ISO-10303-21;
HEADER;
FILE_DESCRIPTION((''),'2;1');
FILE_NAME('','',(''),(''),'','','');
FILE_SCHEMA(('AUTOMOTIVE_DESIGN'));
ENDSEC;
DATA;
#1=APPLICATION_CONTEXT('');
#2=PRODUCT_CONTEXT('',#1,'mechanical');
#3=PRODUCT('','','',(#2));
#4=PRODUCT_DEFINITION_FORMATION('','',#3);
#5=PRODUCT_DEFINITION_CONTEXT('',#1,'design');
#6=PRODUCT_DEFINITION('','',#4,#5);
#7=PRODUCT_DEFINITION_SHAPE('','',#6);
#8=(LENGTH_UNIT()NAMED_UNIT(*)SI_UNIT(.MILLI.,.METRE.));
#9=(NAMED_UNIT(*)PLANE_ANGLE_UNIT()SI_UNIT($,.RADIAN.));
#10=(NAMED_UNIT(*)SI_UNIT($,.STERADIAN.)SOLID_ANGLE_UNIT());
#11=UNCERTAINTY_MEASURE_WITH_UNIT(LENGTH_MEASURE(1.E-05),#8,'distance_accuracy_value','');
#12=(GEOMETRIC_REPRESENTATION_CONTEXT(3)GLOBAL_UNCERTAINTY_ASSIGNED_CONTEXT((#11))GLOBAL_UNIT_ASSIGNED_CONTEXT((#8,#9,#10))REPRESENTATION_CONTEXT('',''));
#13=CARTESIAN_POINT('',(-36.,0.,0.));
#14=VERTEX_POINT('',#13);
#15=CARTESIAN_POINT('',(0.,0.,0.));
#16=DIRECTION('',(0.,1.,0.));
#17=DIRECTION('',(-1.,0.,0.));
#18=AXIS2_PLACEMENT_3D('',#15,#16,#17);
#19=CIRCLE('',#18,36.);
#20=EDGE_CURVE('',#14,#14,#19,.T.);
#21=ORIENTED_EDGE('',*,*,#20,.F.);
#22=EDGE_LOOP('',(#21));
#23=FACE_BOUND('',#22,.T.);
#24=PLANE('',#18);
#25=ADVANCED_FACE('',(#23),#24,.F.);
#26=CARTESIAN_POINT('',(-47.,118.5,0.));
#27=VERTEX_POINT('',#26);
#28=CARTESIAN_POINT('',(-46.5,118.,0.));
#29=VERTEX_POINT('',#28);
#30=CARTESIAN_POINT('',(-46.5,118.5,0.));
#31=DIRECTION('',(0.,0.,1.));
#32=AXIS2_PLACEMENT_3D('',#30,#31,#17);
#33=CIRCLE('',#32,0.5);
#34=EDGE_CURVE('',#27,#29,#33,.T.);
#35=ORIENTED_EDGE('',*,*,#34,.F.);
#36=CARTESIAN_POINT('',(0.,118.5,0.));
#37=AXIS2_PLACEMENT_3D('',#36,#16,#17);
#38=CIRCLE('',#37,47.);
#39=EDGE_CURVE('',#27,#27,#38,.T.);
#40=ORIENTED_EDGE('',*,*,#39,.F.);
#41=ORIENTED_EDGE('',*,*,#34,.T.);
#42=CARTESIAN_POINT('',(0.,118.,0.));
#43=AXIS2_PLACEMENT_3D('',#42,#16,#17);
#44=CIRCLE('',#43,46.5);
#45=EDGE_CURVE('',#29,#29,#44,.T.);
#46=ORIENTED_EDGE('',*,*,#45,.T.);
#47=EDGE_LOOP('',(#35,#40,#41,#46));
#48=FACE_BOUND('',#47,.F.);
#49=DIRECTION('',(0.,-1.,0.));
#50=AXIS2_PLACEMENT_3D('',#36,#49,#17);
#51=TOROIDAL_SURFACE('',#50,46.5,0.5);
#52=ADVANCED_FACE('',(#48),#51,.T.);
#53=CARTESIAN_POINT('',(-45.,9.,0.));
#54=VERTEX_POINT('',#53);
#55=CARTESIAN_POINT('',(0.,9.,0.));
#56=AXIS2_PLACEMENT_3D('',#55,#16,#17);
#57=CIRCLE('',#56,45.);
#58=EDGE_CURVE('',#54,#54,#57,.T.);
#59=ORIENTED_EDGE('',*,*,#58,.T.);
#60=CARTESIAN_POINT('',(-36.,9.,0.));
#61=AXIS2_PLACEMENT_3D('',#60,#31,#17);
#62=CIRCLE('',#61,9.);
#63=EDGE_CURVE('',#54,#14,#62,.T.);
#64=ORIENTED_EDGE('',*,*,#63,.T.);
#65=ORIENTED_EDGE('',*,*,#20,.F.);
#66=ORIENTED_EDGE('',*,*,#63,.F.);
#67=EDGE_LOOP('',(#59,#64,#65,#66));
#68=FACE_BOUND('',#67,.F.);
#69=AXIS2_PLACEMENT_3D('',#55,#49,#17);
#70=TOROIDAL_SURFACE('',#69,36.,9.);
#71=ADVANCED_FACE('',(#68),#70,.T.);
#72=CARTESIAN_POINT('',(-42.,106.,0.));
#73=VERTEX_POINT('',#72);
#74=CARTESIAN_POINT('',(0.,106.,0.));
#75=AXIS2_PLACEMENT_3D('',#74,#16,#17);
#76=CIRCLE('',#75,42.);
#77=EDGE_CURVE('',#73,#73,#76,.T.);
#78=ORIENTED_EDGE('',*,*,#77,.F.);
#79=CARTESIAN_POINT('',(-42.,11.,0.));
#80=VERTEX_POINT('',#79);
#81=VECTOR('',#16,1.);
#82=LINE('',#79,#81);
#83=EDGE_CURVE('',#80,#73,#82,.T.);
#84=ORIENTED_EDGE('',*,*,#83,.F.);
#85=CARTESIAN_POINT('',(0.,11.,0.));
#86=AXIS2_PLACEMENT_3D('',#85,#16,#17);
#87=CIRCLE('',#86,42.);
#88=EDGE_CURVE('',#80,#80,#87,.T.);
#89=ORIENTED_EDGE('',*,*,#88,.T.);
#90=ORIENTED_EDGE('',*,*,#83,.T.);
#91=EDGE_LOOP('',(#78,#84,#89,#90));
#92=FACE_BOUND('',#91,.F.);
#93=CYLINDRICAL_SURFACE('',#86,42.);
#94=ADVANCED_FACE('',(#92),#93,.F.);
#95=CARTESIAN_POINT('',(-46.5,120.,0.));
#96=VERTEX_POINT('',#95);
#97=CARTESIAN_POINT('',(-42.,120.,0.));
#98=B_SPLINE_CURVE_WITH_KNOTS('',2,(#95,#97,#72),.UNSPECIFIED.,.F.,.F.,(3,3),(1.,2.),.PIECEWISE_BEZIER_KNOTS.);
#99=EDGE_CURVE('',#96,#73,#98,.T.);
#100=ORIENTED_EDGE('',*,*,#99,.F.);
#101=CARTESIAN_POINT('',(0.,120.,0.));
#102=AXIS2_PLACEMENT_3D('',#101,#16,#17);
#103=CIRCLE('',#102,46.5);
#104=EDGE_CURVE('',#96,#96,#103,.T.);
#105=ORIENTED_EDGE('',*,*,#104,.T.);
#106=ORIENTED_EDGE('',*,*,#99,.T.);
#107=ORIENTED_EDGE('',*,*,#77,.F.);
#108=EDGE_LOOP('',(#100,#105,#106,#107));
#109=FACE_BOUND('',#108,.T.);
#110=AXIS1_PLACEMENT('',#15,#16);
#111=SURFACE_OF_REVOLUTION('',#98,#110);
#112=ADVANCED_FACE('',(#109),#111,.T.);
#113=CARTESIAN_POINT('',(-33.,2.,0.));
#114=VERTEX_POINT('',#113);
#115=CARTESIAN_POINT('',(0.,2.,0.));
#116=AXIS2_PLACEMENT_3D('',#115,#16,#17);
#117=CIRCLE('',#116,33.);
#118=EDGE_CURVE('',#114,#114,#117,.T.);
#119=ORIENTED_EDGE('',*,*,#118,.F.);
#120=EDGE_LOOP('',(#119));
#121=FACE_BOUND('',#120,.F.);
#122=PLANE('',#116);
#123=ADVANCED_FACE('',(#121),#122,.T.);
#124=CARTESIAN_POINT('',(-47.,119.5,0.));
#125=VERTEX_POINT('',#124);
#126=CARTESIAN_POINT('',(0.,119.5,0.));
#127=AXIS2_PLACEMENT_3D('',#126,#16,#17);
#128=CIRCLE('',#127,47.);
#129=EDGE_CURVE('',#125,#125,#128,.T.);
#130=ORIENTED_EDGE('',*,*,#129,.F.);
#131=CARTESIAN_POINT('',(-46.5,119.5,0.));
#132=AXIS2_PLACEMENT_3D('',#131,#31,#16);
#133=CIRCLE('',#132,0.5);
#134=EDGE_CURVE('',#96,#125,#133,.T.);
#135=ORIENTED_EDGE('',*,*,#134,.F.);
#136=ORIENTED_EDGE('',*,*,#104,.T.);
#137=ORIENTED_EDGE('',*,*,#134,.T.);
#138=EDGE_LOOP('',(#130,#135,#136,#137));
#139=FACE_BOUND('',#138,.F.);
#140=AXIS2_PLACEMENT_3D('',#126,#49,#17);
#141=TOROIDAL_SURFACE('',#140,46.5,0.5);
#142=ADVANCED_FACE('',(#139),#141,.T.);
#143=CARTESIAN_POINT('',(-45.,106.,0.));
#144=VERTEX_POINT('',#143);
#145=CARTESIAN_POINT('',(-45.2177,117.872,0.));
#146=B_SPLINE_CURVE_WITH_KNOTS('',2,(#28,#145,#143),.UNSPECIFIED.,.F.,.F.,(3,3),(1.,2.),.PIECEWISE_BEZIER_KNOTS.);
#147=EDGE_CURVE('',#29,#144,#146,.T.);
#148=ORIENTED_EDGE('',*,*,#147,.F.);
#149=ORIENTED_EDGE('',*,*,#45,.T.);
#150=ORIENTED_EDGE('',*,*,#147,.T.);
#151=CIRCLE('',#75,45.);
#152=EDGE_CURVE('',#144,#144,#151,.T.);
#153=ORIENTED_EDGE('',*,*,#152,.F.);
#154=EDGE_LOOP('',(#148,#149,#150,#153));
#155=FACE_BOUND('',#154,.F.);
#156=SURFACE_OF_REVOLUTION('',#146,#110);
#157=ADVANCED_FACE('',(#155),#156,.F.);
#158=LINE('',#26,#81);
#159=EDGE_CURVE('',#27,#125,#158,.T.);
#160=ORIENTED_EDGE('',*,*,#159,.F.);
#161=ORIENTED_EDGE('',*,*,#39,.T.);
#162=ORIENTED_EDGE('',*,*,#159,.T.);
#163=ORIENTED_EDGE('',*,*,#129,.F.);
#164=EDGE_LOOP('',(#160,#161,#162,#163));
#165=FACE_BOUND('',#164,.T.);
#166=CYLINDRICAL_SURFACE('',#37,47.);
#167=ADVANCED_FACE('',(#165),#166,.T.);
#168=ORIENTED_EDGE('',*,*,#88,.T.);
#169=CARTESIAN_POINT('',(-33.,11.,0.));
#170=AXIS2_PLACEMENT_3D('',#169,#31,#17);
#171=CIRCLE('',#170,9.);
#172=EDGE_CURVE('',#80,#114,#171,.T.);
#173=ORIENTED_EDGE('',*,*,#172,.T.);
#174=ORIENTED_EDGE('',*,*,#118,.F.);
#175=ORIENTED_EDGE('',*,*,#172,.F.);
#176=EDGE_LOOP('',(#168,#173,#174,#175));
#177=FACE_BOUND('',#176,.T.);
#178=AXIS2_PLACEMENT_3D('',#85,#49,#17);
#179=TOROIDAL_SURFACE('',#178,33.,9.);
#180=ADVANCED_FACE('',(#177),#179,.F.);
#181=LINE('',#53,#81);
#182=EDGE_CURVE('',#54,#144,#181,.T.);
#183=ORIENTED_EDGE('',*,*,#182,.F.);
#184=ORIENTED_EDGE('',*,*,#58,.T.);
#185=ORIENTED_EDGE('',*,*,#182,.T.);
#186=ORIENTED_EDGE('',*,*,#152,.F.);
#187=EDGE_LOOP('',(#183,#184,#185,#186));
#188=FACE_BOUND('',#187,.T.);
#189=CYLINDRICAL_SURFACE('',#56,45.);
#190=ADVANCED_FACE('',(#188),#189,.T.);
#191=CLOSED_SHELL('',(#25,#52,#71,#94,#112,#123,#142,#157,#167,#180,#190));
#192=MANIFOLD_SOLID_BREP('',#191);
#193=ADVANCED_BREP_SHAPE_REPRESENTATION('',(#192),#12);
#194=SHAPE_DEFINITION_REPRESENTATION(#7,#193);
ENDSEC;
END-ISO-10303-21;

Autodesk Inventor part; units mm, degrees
ref_plane "YZ Plane" through (0, 0, 0) normal (1, 0, 0) x (0, 1, 0)
ref_plane "XZ Plane" through (0, 0, 0) normal (0, 1, 0) x (-1, 0, 0)
ref_plane "XY Plane" through (0, 0, 0) normal (0, 0, 1) x (1, 0, 0)
sketch "Sketch1" plane through (0, 0, 0) normal (0, 0, 1) x (1, 0, 0)
  line L0 (0, 0) -> (-36, 0)
  line L1 (0, 0) -> (0, 2)
  line L2 (0, 2) -> (-33, 2)
  line L3 (-45, 9) -> (-45, 118)
  line L4 (-45, 0) -> (64, 0) construction
  line L5 (-45, 118) -> (-46.5, 118)
  line L6 (-47, 118.5) -> (-47, 119.5)
  line L7 (-42, 11) -> (-42, 120)
  line L8 (-42, 120) -> (-46.5, 120)
  arc A0 (-47, 118.5) -> (-46.5, 118) centre (-46.5, 118.5) ccw
  arc A1 (-46.5, 120) -> (-47, 119.5) centre (-46.5, 119.5) ccw
  arc A2 (-42, 11) -> (-33, 2) centre (-33, 11) ccw
  arc A3 (-45, 9) -> (-36, 0) centre (-36, 9) ccw
  line L9 (-46.5, 118) -> (-45.2177, 117.872) construction
  line L10 (-45.2177, 117.872) -> (-45, 106) construction
  spline S0 degree 2 poles (-46.5, 118) (-45.2177, 117.872) (-45, 106) knots 1 1 1 2 2 2
  line L11 (-46.5, 120) -> (-42, 120) construction
  line L12 (-42, 120) -> (-42, 106) construction
  spline S1 degree 2 poles (-46.5, 120) (-42, 120) (-42, 106) knots 1 1 1 2 2 2
  point P0 (-42, 2)
  point P1 (-47, 118)
  point P2 (-47, 120)
  point P3 (-42, 106.0002)
  dimension "d0" = 45
  dimension "d1" = 2
  dimension "d2" = 42
  dimension "d3" = 90
  dimension "d4" = 118
  dimension "d5" = 90
  dimension "d6" = 2
  dimension "d7" = 2
  dimension "d8" = 90
  dimension "d9" = 12
  dimension "d10" = 0.5
  dimension "d11" = 0.5
  dimension "d12" = 9
  dimension "d13" = 9
revolve "Revolution1" add sketch "Sketch1" angle 360 about axis through (0, 0, 0) along (0, 1, 0) contours L0 A3 L3 L5 A0 L6 A1 S1 L7 A2 L2 L1 | S0 L5 L3
properties part number "Vaso precipitado 600ml-De90-Di84-H120" material "Glass"
